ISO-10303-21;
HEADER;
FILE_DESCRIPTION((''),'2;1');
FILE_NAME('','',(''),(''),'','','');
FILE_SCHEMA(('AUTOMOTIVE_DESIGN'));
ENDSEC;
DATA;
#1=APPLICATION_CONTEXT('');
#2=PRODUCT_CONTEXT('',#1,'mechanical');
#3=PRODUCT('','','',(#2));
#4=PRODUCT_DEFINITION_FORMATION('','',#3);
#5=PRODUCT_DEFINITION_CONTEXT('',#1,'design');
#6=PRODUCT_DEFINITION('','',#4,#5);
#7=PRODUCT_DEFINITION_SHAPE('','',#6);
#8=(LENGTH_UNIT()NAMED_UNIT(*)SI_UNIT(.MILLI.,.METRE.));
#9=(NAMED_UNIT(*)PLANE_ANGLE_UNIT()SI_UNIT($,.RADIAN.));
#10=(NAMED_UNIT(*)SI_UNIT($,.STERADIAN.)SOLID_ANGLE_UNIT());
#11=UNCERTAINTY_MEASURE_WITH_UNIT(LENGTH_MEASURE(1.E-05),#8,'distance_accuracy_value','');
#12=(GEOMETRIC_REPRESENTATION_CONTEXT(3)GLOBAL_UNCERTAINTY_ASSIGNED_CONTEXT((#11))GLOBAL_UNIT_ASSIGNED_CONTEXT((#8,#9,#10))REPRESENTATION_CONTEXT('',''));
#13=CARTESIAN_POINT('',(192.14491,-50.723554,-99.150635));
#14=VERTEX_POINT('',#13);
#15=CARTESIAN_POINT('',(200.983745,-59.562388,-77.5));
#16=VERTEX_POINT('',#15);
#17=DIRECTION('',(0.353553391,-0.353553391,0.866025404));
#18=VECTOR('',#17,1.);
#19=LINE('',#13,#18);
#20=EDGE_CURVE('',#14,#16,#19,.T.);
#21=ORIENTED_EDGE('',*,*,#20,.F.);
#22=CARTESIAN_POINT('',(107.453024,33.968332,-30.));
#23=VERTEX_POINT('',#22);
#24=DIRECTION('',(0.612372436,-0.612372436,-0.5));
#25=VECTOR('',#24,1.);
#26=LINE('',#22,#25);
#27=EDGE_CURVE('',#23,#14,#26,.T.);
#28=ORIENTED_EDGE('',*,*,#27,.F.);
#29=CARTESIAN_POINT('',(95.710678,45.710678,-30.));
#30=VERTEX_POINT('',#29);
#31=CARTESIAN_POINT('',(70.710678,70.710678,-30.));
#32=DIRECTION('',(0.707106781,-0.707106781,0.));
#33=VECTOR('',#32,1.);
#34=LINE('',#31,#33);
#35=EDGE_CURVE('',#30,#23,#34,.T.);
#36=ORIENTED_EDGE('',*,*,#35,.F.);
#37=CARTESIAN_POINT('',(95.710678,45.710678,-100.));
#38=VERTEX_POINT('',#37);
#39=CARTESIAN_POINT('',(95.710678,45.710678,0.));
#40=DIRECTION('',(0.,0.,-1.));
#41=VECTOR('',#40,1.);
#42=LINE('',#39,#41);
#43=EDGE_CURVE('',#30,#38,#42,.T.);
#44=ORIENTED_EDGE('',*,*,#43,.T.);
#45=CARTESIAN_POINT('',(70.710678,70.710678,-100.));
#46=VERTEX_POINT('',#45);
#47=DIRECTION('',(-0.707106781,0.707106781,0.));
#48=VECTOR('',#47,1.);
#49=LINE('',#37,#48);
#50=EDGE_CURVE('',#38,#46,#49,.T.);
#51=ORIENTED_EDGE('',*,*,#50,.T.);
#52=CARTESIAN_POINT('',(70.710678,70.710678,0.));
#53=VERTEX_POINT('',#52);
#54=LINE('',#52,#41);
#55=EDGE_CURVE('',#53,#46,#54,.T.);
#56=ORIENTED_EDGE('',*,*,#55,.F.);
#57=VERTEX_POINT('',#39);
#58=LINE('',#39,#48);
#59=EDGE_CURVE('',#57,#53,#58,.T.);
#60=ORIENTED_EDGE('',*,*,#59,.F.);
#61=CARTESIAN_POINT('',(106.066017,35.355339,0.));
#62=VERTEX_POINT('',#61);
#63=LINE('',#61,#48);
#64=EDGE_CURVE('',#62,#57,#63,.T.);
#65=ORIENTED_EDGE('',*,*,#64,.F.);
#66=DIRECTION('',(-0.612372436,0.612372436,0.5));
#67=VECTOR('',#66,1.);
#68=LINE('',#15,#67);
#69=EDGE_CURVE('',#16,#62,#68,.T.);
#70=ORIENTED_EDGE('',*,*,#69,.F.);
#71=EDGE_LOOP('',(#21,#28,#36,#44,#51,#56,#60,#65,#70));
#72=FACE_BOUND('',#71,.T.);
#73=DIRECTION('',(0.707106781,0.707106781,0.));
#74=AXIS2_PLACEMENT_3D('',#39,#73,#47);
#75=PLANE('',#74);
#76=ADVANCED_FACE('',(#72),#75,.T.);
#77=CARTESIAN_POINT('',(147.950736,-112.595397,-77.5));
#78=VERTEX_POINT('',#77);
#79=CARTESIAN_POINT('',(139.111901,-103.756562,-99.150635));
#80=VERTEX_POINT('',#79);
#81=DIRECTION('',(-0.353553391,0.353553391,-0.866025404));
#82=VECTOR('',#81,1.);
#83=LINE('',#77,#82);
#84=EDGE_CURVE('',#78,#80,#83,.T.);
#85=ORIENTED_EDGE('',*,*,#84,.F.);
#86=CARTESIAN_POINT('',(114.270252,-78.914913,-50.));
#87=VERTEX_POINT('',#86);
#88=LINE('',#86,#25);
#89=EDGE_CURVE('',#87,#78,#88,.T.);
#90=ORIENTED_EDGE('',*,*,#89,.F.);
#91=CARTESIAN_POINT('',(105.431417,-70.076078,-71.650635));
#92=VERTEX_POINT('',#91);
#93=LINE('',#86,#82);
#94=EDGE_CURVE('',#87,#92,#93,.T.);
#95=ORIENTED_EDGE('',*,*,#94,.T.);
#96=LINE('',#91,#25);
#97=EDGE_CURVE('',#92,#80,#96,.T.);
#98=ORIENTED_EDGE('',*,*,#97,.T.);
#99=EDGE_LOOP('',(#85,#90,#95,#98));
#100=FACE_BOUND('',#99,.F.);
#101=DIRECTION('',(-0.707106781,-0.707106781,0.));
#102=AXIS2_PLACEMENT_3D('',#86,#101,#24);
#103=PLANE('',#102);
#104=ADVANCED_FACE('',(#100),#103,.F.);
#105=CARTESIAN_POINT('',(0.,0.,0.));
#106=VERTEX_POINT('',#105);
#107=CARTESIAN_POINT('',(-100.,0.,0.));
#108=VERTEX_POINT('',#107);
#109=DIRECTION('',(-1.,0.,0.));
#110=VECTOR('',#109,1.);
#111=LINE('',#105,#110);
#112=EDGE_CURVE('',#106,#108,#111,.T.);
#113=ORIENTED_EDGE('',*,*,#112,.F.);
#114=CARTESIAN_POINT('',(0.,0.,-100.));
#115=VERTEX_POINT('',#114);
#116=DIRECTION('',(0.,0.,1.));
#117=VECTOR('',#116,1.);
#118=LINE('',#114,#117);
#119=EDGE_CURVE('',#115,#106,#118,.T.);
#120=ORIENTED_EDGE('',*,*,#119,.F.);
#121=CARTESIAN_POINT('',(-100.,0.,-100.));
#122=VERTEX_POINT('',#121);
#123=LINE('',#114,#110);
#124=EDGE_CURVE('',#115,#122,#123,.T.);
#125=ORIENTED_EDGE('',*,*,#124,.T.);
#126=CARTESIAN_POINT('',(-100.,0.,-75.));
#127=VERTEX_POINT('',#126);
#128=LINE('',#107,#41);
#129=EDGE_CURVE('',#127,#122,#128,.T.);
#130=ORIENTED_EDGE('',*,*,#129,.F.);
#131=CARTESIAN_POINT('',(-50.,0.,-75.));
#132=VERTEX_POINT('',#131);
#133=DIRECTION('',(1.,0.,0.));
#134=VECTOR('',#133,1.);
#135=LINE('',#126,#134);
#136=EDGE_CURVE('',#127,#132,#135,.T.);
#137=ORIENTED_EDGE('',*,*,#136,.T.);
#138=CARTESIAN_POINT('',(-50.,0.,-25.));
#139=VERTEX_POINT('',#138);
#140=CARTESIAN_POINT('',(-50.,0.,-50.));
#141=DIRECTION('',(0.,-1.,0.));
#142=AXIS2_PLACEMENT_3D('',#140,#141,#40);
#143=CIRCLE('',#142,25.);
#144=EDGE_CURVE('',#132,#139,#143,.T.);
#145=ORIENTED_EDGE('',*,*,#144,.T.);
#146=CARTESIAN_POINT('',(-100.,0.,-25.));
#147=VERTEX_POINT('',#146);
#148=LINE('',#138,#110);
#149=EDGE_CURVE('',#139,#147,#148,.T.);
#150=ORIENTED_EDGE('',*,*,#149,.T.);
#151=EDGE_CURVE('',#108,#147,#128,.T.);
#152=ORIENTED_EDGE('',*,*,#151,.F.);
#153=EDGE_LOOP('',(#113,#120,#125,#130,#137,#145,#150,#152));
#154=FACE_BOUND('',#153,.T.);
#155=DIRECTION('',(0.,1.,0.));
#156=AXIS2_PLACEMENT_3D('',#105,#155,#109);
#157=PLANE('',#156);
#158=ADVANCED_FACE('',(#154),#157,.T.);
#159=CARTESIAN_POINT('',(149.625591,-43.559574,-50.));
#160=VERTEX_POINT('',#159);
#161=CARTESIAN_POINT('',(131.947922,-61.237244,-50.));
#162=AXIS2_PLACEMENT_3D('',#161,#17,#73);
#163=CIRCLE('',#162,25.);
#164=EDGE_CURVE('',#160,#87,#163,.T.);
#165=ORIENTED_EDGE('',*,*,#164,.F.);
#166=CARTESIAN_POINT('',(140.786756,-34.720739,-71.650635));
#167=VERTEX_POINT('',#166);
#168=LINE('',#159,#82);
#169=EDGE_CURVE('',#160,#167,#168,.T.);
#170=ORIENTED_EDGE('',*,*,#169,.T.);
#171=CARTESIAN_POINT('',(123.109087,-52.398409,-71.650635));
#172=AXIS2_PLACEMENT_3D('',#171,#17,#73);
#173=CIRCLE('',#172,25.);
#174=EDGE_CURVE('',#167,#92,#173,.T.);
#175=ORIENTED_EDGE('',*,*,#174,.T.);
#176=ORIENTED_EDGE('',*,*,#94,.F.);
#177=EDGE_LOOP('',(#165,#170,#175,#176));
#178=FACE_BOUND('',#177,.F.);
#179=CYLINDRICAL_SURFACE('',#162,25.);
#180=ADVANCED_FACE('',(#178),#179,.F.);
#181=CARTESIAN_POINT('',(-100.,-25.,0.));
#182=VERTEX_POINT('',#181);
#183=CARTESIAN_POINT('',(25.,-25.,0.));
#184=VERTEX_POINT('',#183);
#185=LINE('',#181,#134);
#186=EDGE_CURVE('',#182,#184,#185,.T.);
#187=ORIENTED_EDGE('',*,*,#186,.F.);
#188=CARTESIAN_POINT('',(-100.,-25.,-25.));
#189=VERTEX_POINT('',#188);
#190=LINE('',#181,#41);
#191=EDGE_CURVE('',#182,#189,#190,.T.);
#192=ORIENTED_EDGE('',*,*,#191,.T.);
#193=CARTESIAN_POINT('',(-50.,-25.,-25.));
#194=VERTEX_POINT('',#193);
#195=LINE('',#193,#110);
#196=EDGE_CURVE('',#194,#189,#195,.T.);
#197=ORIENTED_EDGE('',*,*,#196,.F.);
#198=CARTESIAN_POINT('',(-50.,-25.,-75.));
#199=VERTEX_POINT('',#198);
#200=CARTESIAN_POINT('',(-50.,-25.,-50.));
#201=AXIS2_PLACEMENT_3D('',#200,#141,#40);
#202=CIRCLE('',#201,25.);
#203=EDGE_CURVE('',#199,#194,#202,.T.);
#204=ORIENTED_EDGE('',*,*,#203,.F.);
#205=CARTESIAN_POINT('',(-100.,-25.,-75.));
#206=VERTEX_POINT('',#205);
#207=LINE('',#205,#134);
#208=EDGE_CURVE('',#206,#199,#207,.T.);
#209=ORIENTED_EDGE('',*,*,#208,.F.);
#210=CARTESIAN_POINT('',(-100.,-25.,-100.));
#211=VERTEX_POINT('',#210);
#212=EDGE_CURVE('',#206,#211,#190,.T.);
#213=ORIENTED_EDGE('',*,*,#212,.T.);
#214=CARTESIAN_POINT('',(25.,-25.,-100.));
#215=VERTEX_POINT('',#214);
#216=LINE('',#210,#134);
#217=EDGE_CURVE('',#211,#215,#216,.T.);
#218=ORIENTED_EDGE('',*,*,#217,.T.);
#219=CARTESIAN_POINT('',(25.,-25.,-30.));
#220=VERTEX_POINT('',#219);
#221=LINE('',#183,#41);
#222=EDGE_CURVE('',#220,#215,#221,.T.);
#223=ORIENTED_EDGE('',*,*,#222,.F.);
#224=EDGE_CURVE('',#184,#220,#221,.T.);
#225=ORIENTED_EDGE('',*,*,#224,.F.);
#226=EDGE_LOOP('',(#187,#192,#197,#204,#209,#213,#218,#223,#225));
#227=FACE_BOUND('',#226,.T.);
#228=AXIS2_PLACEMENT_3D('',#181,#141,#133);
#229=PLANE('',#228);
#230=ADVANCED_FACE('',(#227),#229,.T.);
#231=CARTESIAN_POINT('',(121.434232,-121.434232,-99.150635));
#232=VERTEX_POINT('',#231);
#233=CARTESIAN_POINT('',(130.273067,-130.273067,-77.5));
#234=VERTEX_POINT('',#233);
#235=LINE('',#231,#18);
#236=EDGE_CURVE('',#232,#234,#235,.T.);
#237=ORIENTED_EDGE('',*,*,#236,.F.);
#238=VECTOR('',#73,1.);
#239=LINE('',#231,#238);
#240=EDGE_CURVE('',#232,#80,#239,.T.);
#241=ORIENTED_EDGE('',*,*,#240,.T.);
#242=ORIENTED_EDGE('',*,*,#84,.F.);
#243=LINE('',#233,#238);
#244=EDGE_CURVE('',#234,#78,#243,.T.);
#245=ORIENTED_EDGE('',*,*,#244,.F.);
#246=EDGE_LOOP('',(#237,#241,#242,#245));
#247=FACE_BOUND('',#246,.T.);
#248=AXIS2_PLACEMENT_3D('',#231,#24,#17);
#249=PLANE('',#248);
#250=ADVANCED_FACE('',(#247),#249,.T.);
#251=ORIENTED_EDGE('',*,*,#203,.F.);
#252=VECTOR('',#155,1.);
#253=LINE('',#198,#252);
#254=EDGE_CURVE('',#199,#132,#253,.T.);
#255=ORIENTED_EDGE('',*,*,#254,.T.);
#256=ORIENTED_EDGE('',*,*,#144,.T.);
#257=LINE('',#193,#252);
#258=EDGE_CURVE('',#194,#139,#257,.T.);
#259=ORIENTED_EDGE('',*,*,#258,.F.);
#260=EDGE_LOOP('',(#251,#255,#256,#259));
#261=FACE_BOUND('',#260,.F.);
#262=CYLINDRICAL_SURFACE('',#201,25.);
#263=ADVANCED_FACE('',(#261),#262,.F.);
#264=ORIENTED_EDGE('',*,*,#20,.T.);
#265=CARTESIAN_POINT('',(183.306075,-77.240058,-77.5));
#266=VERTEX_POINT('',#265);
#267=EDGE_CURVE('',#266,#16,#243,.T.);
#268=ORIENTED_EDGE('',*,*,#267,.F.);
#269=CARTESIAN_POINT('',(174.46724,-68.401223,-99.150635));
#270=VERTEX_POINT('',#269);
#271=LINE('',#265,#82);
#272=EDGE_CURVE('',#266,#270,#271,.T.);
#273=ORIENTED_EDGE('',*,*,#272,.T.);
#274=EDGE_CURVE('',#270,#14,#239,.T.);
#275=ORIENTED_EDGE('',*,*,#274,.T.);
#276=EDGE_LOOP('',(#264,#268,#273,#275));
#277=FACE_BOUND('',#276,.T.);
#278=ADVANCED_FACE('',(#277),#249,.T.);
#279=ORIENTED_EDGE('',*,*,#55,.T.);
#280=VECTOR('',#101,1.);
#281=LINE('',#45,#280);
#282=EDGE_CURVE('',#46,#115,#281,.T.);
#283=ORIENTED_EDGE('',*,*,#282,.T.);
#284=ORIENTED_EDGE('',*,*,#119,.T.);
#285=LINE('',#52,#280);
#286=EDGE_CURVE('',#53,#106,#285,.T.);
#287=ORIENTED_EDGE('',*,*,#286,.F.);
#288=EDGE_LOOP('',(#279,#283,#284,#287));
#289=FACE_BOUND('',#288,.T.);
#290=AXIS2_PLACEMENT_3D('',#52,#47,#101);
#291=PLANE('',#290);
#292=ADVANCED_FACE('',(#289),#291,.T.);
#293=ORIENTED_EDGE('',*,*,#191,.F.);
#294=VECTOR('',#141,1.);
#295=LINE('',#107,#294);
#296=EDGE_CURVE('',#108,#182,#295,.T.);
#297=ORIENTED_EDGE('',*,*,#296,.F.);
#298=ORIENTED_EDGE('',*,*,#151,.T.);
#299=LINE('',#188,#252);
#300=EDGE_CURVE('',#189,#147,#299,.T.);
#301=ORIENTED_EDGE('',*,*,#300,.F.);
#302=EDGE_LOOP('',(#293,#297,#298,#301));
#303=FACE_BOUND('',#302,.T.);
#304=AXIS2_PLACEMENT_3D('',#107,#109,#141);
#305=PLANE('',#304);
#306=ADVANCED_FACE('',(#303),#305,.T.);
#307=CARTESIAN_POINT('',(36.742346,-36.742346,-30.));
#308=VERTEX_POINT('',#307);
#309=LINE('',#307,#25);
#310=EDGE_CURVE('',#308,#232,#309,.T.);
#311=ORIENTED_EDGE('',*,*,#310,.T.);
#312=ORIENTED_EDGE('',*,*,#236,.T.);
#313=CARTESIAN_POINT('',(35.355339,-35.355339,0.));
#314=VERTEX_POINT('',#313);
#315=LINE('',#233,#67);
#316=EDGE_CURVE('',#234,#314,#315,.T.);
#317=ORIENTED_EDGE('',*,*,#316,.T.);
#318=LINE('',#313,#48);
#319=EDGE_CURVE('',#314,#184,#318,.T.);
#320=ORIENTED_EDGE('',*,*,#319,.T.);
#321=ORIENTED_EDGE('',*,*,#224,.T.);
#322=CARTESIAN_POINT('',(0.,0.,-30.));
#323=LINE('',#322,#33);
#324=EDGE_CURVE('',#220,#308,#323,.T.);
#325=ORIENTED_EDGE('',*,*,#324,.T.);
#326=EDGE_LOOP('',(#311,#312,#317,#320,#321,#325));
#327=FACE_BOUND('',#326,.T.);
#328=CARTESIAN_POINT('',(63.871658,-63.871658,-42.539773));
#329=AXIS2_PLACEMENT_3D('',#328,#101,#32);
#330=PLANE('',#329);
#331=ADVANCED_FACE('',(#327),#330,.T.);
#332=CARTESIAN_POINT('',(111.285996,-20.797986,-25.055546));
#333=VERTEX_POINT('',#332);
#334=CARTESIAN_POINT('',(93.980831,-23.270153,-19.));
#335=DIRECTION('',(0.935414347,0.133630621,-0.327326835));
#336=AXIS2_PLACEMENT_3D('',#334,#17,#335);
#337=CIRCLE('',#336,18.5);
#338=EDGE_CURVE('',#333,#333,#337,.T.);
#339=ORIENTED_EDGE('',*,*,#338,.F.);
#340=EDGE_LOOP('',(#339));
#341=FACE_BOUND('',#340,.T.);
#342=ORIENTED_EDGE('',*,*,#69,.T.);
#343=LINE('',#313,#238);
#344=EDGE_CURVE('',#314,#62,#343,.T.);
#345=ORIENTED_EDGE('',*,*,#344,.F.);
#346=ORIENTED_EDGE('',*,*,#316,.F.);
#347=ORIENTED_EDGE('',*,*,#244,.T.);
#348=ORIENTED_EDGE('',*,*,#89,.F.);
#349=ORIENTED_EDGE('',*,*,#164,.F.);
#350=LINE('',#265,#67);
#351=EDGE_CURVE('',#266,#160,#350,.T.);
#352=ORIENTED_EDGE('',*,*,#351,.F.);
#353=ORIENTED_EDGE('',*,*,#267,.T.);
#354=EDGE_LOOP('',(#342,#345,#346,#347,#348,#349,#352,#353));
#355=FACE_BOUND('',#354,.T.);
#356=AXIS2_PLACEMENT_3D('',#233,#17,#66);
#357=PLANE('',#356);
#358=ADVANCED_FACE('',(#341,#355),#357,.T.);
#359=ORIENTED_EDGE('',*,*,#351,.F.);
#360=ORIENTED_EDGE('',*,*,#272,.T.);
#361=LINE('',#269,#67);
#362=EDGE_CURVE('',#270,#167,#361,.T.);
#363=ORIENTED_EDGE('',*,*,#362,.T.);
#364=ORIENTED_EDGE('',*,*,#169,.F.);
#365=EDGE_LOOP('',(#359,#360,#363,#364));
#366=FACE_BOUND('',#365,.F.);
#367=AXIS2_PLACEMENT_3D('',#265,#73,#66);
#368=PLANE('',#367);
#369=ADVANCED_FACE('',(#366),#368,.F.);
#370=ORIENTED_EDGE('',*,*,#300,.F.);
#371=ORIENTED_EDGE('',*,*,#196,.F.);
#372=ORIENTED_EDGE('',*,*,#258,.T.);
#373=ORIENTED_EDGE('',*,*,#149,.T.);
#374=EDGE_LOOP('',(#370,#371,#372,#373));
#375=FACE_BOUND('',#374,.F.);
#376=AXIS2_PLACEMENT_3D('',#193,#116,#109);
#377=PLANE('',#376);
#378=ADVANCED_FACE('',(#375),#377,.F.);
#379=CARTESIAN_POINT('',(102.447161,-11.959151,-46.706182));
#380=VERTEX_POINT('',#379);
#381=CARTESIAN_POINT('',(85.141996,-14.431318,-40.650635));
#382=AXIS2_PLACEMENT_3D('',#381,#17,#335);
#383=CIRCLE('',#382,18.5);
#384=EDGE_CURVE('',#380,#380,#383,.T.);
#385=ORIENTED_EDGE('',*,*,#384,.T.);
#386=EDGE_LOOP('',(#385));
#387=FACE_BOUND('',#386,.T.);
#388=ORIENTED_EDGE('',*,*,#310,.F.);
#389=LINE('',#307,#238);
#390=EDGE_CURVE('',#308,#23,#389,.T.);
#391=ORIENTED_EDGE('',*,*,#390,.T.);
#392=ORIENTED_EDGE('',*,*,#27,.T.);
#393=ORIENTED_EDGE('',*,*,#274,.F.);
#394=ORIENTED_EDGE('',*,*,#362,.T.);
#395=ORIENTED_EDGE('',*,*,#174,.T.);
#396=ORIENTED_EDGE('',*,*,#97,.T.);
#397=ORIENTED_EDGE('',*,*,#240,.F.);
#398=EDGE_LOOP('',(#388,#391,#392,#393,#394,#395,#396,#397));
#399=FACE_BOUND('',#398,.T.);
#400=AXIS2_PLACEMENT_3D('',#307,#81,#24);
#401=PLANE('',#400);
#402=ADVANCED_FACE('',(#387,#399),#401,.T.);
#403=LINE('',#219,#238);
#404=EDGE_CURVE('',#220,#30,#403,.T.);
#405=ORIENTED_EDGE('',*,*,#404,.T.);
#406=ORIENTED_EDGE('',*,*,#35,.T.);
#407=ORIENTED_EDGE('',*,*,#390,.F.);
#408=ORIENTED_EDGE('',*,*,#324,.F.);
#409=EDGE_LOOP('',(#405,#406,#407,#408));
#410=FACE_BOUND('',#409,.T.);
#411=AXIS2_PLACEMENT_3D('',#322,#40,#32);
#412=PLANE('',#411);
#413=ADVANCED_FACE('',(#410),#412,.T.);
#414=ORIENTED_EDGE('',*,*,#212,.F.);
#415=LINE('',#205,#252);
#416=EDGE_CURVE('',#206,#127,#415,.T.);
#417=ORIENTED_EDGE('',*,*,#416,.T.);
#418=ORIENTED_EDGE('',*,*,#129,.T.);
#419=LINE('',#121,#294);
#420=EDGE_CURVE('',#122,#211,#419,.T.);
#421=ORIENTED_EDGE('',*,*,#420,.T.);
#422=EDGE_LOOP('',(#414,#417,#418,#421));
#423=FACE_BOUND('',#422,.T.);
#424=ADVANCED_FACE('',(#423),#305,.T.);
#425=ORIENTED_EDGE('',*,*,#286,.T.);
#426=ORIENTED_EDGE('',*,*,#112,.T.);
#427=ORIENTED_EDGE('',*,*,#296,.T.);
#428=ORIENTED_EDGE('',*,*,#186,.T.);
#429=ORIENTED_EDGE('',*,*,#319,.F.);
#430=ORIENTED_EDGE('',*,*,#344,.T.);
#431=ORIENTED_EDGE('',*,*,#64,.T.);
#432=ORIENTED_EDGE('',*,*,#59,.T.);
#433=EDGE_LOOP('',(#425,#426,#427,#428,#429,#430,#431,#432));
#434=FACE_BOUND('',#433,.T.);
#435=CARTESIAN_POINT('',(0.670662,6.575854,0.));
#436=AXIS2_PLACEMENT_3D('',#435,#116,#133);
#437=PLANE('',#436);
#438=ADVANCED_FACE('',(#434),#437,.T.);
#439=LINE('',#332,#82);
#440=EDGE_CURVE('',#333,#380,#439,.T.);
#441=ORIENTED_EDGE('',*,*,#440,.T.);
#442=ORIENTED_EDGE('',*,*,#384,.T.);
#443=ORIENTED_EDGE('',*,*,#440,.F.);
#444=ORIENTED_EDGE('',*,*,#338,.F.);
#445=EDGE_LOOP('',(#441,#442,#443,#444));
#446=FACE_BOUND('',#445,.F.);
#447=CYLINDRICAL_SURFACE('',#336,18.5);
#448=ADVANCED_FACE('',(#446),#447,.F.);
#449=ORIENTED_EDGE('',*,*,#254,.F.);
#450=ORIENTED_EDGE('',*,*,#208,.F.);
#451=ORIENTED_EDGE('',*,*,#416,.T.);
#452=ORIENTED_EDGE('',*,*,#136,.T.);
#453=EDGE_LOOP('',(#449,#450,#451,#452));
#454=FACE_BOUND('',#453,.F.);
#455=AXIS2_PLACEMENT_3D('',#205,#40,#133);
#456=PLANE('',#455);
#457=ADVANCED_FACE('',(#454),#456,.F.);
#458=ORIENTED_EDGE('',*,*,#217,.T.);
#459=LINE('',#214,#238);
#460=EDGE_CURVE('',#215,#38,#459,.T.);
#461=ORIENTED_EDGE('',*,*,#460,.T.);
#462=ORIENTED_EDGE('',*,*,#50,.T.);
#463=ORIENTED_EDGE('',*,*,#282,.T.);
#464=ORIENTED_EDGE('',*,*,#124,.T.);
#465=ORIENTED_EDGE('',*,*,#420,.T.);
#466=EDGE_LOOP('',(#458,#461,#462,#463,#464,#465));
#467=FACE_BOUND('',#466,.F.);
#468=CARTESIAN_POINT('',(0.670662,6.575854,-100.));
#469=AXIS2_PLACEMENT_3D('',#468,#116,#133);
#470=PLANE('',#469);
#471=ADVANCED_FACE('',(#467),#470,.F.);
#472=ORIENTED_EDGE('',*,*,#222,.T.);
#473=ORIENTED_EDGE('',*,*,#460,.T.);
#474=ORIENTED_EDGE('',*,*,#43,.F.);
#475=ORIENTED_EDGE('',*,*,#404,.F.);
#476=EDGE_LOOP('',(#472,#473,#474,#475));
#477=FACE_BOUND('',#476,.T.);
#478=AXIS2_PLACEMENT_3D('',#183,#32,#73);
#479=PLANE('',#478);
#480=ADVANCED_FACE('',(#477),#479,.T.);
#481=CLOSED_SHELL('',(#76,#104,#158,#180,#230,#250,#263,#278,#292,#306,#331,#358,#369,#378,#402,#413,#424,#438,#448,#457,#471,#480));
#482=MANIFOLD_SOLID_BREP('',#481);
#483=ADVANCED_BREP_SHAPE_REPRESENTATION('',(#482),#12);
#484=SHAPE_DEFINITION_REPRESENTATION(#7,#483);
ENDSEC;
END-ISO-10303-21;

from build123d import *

# Parameters (mm, degrees)
F4_DEPTH = 100
F5_DEPTH = 100
F7_DEPTH = 25
F8_R     = 18.5
F9_DEPTH = 25


with BuildPart() as f4:
    # F0 (on Top) → F4 (new body)
    with BuildSketch(Plane.XY):
        Polygon((-100, -25), (25, -25), (95.7106781187, 45.7106781187), (70.7106781187, 70.7106781187), (0, 0), (-100, 0), align=None)
    extrude(amount=-F4_DEPTH)

    # F3 (on 3pt) → F5 (join)
    with BuildSketch(Plane(origin=(0, 0, 0), x_dir=(0.7071067812, -0.7071067812, 0), z_dir=(-0.7071067812, -0.7071067812, 0))):
        Polygon((0, 0), (0, -30), (51.9615242271, -30), (171.7339375866, -99.1506350946), (184.2339375866, -77.5), (50, 0), align=None)
    extrude(amount=-F5_DEPTH)

    # F6 (on face) → F7 (cut, through all)
    with BuildSketch(Plane.XZ.offset(25)):
        with BuildLine():
            Line((-50, -25), (-100, -25))
            Line((-100, -25), (-100, -75))
            Line((-100, -75), (-50, -75))
            ThreePointArc((-50, -75), (-25, -50), (-50, -25))
        make_face()
    extrude(amount=-F7_DEPTH, mode=Mode.SUBTRACT)

    # F8 (on face) → F9 (cut, through all)
    with BuildSketch(Plane(origin=(8.8388347648, -8.8388347648, 21.6506350946), x_dir=(0.9354143467, 0.133630621, -0.3273268354), z_dir=(0.3535533906, -0.3535533906, 0.8660254038))):
        with Locations((91.0206222635, -28.7252999487)):
            Circle(F8_R)
        with BuildLine():
            Line((112.710926197, -91.9592363695), (148.7168780859, -133.5353284006))
            Line((148.7168780859, -133.5353284006), (186.5133253868, -100.8026448652))
            Line((186.5133253868, -100.8026448652), (150.5073734979, -59.2265528341))
            ThreePointArc((150.5073734979, -59.2265528341), (115.2428080797, -56.6946709514), (112.710926197, -91.9592363695))
        make_face()
    extrude(amount=-F9_DEPTH, mode=Mode.SUBTRACT)


solid = f4.part
